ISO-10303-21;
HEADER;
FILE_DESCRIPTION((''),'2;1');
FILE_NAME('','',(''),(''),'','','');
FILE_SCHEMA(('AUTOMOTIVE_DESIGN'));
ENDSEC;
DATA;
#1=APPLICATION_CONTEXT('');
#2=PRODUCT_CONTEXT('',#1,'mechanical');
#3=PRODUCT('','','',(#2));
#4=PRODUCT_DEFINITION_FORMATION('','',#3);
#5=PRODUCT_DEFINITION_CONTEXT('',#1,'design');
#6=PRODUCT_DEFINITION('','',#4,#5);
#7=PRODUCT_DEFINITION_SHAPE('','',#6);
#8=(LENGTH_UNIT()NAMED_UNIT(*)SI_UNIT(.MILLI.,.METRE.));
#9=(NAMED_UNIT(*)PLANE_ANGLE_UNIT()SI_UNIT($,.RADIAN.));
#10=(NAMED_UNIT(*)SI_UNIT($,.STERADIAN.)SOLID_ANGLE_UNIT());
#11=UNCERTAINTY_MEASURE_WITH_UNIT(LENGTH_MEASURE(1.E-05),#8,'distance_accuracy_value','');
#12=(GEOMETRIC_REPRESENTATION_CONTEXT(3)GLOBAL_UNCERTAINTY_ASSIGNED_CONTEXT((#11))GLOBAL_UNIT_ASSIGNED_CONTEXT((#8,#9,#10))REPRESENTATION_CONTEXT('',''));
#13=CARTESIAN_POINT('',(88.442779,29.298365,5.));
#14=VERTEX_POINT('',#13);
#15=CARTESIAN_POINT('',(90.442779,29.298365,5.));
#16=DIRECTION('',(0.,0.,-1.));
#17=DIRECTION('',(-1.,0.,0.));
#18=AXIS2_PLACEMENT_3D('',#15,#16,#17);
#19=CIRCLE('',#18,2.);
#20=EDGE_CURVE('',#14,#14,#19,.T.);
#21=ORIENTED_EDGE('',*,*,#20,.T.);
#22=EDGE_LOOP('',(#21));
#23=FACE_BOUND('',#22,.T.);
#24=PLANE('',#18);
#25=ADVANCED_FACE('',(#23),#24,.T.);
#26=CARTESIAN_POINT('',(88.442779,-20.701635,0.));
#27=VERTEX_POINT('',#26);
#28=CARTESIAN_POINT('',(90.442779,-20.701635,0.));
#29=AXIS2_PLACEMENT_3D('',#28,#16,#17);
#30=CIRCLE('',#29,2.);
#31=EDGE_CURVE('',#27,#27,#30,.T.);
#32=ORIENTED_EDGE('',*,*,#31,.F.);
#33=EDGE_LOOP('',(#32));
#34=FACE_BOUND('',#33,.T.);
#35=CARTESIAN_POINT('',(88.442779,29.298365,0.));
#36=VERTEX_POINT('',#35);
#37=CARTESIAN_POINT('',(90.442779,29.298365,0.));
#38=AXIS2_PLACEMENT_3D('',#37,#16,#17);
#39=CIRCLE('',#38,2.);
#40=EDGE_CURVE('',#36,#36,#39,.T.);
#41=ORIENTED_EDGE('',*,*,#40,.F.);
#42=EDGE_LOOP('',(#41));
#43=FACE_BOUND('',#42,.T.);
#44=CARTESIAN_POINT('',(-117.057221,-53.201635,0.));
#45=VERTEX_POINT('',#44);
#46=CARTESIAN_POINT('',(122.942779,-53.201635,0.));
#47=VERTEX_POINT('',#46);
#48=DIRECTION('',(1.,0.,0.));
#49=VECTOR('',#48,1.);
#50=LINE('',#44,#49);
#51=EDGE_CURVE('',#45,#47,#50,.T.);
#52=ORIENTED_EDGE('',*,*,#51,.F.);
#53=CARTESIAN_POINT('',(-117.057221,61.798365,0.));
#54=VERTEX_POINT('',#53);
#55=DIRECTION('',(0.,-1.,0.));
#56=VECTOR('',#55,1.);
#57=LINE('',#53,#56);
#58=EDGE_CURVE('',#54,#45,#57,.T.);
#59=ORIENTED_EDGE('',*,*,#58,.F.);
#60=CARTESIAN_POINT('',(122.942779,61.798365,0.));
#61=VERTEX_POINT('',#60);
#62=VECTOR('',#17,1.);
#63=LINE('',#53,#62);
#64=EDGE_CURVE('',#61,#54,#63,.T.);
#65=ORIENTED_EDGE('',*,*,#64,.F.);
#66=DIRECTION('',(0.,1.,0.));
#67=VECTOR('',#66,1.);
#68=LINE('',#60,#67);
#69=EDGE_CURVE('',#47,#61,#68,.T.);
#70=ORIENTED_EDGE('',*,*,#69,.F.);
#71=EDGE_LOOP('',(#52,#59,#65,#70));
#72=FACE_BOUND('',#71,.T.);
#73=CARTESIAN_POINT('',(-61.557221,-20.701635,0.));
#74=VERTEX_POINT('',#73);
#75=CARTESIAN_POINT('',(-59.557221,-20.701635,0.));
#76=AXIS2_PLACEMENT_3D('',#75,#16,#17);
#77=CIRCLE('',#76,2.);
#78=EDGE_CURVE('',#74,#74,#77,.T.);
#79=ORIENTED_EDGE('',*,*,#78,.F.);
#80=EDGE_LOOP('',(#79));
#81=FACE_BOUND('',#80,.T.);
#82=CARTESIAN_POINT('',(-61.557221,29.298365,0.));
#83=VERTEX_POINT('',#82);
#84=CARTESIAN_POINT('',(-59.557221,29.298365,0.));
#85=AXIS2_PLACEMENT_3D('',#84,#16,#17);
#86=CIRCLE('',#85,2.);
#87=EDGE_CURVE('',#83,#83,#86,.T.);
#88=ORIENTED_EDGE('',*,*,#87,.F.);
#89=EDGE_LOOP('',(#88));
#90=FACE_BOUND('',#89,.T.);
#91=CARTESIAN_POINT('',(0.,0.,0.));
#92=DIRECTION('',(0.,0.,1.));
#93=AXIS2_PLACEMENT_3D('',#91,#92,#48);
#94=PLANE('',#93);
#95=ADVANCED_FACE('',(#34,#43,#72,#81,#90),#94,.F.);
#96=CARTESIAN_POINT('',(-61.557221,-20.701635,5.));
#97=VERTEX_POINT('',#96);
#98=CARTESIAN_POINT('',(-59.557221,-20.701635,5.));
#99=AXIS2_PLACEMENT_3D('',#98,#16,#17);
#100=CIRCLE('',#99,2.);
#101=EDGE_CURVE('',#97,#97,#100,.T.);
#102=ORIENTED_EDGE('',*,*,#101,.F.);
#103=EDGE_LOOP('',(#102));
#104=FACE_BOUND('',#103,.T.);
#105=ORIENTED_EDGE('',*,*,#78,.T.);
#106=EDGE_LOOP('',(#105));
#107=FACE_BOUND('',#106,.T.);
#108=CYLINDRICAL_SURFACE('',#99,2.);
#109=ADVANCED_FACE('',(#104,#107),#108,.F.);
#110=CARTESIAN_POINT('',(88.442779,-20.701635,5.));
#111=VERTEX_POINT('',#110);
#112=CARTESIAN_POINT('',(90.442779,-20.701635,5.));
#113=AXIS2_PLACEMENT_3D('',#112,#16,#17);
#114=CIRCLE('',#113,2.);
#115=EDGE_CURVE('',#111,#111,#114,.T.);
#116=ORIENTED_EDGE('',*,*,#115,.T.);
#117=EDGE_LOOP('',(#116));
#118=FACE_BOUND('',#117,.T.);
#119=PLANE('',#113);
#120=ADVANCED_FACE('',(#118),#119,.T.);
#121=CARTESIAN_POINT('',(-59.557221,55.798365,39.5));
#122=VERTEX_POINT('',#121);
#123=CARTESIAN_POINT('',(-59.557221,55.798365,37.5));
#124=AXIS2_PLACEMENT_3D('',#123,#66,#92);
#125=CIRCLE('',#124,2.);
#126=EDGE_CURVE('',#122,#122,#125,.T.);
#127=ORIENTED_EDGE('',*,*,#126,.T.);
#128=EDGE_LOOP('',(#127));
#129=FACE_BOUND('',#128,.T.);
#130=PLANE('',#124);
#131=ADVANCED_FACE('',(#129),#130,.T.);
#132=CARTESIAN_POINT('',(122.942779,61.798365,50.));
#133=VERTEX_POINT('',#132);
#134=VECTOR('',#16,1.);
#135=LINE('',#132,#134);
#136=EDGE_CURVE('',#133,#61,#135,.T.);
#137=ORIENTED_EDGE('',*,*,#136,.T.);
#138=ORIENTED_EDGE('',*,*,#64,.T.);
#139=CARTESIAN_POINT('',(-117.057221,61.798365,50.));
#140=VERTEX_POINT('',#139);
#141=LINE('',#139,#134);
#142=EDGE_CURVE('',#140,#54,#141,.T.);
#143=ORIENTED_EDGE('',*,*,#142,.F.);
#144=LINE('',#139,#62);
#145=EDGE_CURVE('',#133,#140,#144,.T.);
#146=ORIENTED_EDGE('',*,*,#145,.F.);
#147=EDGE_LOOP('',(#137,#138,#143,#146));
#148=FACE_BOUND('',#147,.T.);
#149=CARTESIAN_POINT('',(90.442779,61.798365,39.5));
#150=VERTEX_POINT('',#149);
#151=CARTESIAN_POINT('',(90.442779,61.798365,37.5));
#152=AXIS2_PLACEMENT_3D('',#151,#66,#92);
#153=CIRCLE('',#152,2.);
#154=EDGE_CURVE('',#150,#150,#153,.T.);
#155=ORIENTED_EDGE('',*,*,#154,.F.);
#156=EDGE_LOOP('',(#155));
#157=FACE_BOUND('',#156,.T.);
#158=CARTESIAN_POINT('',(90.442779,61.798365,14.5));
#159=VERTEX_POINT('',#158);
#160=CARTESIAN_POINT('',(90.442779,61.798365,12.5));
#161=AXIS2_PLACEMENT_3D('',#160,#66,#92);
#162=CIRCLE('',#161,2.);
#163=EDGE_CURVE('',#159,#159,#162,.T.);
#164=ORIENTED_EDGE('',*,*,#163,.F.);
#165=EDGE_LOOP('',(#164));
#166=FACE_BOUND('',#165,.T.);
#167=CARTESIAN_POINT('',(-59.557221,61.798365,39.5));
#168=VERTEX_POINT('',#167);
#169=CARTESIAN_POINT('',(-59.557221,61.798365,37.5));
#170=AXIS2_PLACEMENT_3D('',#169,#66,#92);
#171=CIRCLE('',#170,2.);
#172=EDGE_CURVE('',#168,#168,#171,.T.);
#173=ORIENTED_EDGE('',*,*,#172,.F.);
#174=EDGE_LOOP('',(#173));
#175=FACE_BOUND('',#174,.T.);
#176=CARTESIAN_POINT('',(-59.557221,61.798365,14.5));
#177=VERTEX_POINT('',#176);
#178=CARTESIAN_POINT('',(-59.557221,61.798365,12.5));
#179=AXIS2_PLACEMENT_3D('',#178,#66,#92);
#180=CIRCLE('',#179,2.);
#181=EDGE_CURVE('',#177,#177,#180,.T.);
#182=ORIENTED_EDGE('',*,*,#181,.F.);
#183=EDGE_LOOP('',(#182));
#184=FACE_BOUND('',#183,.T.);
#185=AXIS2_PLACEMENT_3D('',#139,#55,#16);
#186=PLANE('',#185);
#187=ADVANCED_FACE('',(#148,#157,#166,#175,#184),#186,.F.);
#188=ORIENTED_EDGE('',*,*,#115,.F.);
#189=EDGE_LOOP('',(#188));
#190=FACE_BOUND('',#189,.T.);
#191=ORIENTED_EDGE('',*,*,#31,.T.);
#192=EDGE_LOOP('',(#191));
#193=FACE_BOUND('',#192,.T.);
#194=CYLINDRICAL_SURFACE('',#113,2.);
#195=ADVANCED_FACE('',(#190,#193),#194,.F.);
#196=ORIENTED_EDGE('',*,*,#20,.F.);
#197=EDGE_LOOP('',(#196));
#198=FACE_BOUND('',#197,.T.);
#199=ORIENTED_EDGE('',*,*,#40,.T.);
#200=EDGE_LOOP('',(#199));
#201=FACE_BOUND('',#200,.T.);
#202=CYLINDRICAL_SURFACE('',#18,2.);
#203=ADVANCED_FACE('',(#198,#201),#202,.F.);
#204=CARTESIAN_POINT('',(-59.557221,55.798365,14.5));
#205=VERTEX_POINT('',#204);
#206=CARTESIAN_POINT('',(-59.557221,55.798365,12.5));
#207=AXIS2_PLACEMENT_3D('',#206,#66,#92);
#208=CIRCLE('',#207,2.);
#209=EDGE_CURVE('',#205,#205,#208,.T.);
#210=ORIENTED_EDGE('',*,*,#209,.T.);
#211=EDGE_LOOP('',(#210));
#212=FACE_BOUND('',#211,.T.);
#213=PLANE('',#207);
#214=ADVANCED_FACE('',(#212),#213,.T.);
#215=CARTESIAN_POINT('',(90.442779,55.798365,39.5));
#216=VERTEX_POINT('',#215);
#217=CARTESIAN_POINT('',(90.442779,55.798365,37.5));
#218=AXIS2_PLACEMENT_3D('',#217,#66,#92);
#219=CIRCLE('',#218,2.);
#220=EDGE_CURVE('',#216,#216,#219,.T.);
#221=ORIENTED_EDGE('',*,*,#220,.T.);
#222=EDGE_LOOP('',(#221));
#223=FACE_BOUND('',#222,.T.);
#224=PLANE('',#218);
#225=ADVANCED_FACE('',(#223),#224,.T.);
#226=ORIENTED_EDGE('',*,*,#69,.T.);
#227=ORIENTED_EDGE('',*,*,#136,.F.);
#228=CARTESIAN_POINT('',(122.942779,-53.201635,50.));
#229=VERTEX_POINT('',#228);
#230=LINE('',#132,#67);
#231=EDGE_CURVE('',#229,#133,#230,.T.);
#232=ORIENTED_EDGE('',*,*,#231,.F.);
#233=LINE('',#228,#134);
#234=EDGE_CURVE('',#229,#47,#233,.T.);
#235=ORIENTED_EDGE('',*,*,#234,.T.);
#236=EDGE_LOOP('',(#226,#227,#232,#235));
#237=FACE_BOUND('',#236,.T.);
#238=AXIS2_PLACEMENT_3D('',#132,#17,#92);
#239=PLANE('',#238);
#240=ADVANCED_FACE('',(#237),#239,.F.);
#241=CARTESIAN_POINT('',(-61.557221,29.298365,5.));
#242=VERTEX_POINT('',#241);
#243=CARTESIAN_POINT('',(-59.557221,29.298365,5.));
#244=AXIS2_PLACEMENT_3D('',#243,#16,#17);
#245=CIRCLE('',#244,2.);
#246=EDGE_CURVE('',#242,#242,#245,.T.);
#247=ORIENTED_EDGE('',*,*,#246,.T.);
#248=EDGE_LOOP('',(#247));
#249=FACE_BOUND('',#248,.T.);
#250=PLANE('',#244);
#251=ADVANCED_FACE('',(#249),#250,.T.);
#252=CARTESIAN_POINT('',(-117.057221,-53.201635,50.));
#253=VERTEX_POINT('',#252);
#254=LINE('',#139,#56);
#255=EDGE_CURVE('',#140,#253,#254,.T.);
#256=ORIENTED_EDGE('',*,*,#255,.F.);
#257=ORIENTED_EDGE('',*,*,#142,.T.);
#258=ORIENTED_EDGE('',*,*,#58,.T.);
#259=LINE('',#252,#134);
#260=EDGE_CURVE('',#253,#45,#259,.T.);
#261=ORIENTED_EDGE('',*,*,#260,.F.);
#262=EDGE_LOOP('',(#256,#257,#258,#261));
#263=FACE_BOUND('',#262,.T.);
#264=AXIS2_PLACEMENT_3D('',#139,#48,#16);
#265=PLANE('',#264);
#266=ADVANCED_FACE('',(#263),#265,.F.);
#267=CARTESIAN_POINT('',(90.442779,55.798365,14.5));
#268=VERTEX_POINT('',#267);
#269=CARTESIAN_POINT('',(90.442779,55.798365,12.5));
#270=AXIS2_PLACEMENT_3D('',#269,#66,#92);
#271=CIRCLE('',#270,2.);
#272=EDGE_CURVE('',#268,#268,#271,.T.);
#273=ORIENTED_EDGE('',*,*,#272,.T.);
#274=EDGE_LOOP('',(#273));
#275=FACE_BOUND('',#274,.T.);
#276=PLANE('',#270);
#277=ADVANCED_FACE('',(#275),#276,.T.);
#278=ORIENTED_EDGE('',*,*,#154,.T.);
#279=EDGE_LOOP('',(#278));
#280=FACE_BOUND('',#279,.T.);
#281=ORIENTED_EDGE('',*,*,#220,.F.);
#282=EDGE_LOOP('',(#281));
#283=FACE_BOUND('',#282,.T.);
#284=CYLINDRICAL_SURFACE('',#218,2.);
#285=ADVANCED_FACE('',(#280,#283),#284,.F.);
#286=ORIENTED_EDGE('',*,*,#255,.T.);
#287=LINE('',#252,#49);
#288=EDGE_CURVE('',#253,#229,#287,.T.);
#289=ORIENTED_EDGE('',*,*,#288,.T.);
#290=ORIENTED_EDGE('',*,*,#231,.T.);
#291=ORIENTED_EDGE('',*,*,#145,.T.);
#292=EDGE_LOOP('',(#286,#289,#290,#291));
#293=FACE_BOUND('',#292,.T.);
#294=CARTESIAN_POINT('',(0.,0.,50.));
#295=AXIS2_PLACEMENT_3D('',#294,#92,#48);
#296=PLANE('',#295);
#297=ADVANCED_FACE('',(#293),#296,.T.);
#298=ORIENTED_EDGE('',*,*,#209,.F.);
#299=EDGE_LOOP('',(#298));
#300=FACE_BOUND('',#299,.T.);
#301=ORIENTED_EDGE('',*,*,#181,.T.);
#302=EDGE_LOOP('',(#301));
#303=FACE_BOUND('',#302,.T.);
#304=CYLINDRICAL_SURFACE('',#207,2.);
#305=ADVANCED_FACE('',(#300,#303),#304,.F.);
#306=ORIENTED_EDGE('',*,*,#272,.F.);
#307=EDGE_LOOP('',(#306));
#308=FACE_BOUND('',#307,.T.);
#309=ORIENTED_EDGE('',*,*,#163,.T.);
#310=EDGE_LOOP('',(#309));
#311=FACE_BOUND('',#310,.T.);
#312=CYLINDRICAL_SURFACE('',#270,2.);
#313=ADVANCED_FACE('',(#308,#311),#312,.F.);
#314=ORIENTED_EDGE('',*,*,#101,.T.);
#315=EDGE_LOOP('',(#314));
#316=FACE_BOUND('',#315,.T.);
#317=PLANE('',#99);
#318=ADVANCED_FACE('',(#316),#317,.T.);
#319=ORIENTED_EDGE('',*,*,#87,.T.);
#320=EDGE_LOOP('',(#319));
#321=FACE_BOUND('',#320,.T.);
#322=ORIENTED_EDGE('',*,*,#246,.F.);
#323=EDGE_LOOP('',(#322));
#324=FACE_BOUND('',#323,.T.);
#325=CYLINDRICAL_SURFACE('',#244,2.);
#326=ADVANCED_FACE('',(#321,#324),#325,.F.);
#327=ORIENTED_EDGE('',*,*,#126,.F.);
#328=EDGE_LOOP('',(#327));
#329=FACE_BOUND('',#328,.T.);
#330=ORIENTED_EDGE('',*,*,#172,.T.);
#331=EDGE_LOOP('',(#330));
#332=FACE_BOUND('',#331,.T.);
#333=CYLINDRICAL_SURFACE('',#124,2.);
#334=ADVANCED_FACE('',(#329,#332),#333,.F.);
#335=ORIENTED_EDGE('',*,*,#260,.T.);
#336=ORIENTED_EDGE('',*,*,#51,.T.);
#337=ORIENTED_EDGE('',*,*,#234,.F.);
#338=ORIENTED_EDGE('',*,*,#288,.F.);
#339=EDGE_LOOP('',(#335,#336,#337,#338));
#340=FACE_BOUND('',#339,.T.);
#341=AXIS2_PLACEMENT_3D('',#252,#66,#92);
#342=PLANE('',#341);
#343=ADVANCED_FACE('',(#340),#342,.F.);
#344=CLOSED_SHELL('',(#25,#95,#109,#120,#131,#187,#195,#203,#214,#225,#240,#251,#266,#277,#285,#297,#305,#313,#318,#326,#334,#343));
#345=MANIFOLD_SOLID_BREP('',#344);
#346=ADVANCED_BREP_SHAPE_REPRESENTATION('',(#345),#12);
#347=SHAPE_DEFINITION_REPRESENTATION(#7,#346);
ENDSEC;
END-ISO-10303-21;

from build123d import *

# Parameters (mm, degrees)
SKETCH_1_W          = 240
SKETCH_1_H          = 115
EXTRUDE_1_DEPTH     = 50
SKETCH_2_R          = 2
CUT_EXTRUDE_1_DEPTH = 5
SKETCH_3_R          = 2
CUT_EXTRUDE_2_DEPTH = 6


with BuildPart() as part:
    # 草图1 → 凸台-拉伸1 (new body)
    with BuildSketch(Plane.XY):
        with Locations((2.942779292, 4.298365123)):
            Rectangle(SKETCH_1_W, SKETCH_1_H)
    extrude(amount=EXTRUDE_1_DEPTH)

    # 草图2 → 切除-拉伸1 (cut)
    with BuildSketch(Plane(origin=(0, 0, 0), x_dir=(-1, 0, 0), z_dir=(0, 0, -1))):
        with Locations((-90.442779292, 29.298365123)):
            Circle(SKETCH_2_R)
        with Locations((59.557220708, 29.298365123)):
            Circle(SKETCH_2_R)
        with Locations((59.557220708, -20.701634877)):
            Circle(SKETCH_2_R)
        with Locations((-90.442779292, -20.701634877)):
            Circle(SKETCH_2_R)
    extrude(amount=-CUT_EXTRUDE_1_DEPTH, mode=Mode.SUBTRACT)

    # 草图3 → 切除-拉伸2 (cut)
    with BuildSketch(Plane(origin=(0, 61.798365123, 0), x_dir=(1, 0, 0), z_dir=(0, 1, 0))):
        with Locations((90.442779292, -37.5)):
            Circle(SKETCH_3_R)
        with Locations((-59.557220708, -37.5)):
            Circle(SKETCH_3_R)
        with Locations((-59.557220708, -12.5)):
            Circle(SKETCH_3_R)
        with Locations((90.442779292, -12.5)):
            Circle(SKETCH_3_R)
    extrude(amount=-CUT_EXTRUDE_2_DEPTH, mode=Mode.SUBTRACT)


solid = part.part
